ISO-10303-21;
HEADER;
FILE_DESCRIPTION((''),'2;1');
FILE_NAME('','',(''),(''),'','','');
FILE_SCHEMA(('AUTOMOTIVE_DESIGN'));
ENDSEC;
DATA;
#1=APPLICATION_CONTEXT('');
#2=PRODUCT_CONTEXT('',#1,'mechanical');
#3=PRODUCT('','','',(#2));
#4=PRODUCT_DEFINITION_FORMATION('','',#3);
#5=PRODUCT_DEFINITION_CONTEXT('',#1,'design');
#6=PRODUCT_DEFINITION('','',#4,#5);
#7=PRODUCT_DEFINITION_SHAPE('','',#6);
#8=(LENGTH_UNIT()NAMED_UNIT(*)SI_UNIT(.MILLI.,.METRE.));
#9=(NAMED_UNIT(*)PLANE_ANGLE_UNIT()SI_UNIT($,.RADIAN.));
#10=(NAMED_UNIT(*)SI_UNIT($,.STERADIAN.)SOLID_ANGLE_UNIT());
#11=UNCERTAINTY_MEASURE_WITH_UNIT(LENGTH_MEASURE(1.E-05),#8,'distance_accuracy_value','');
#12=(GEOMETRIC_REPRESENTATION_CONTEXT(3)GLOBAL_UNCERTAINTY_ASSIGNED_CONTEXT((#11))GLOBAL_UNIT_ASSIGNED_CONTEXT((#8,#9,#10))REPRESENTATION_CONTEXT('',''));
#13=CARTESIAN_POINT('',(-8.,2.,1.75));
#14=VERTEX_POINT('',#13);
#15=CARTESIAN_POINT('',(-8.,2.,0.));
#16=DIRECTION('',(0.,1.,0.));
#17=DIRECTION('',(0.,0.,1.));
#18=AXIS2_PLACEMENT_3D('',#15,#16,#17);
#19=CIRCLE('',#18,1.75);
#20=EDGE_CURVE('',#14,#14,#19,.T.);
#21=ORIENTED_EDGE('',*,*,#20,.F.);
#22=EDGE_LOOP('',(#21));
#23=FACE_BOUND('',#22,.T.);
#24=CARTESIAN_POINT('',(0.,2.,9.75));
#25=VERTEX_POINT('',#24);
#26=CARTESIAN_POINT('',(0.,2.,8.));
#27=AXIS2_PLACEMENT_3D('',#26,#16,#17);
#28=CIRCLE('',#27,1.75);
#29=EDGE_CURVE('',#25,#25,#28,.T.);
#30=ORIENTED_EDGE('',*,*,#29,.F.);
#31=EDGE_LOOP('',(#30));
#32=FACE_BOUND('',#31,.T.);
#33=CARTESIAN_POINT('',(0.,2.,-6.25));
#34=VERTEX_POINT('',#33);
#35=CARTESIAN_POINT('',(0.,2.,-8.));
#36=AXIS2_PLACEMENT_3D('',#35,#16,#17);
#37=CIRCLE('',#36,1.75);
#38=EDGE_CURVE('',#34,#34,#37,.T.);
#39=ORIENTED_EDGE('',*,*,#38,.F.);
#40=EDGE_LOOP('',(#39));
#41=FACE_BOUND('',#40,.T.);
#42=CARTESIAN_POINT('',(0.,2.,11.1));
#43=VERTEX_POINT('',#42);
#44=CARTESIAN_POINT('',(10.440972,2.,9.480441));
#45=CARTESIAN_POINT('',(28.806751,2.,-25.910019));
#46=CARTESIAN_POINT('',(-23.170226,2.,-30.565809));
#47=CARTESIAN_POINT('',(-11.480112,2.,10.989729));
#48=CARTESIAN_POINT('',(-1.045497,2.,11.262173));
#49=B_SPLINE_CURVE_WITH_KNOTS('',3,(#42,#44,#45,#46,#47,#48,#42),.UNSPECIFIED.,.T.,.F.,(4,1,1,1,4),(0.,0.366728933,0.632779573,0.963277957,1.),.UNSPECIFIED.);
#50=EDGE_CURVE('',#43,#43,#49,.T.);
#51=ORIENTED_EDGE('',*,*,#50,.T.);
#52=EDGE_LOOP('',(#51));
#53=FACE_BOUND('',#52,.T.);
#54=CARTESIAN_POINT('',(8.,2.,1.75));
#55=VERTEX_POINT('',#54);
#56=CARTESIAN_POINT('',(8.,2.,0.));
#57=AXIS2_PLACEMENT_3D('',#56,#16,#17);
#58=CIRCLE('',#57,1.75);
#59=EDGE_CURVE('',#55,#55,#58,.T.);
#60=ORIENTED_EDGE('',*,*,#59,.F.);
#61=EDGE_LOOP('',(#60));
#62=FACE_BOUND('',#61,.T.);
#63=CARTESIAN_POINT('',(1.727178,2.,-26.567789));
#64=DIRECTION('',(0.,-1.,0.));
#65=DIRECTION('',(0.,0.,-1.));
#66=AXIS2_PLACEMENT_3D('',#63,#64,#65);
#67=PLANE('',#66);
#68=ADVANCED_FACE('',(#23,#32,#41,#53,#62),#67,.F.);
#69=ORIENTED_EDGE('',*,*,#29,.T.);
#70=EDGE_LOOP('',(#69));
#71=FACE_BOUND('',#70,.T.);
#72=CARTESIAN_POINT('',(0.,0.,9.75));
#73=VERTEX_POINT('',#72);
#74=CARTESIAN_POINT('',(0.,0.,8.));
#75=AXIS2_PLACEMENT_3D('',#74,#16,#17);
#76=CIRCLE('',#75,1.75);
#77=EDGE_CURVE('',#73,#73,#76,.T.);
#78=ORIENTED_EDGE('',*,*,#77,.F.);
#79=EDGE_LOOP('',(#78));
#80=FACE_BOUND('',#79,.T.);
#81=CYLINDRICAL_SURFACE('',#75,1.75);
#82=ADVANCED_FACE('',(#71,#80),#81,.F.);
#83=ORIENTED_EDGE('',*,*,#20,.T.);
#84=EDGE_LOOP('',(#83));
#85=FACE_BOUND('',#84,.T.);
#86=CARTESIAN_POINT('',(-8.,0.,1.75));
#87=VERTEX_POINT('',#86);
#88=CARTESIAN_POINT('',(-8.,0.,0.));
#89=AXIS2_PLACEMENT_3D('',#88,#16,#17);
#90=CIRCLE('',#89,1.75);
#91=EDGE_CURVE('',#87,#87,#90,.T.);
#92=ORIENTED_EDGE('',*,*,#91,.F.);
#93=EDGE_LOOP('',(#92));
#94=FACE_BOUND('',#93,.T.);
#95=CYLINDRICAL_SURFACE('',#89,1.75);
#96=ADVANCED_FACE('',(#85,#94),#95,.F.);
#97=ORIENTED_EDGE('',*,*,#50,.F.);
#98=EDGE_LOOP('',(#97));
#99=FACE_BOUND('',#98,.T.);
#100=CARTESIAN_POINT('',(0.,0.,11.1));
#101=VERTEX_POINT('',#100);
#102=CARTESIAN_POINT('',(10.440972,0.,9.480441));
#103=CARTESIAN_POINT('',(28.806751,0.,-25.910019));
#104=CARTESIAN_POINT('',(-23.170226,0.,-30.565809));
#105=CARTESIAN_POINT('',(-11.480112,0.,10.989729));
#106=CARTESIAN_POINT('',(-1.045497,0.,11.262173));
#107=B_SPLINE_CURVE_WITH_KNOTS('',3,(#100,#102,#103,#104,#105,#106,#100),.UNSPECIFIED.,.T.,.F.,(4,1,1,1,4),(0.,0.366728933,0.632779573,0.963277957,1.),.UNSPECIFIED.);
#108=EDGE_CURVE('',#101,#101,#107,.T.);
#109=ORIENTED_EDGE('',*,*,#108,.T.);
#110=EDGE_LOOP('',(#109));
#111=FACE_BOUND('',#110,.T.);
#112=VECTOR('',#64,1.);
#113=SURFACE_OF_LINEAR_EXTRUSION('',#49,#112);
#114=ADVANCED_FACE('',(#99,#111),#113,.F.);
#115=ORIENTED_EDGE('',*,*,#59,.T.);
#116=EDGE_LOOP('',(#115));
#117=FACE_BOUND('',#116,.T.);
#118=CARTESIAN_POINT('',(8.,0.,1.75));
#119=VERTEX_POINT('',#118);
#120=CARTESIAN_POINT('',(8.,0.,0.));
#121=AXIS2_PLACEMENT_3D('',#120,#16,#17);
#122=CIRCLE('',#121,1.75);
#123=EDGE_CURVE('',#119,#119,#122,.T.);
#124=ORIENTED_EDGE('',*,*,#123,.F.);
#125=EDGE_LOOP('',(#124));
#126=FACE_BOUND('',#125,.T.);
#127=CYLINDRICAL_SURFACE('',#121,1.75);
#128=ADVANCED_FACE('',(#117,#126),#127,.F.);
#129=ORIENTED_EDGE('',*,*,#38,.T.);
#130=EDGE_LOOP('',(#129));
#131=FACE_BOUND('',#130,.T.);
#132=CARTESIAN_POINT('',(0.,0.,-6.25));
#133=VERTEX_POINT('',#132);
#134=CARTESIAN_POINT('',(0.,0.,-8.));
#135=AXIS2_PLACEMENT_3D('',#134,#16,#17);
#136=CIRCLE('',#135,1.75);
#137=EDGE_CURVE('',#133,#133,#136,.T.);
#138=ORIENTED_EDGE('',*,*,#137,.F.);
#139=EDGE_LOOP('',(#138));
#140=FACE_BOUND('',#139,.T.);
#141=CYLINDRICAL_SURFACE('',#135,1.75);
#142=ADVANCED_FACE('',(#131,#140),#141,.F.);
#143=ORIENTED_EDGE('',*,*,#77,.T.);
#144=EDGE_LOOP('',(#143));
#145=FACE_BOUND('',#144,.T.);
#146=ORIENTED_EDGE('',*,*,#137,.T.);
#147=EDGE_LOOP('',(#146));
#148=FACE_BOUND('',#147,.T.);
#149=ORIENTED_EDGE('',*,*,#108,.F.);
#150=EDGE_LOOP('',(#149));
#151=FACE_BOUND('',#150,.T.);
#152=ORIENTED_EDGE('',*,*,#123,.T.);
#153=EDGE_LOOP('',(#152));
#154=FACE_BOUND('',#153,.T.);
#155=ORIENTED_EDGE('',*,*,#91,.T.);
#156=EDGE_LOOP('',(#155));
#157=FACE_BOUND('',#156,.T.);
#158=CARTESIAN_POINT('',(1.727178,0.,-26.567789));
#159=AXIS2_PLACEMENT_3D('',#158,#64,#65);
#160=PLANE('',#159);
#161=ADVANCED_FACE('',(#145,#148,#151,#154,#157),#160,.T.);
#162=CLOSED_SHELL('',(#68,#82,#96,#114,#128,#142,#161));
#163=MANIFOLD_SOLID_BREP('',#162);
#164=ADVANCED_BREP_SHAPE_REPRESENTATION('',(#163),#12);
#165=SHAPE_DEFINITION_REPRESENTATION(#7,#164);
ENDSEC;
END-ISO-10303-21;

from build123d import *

# Parameters (mm, degrees)
EXTRUDE1_DEPTH     = 2
SKETCH2_R          = 1.75
CUT_EXTRUDE1_DEPTH = 32.286571323


with BuildPart() as part:
    # Sketch1 → Extrude1 (new body)
    with BuildSketch(Plane(origin=(0, 0, 0), x_dir=(1, 0, 0), z_dir=(0, 1, 0))):
        with BuildLine():
            add(Edge.make_bspline(
                [(0, -11.1), (10.440972459, -9.480441053), (28.806750546, 25.910018574), (-23.170226362, 30.565808695), (-11.4801118, -10.989728695), (-1.045496555, -11.26217295), (0, -11.1)],
                knots=[0, 0, 0, 0, 0.366728933, 0.632779573, 0.963277957, 1, 1, 1, 1], degree=3))
        make_face()
    extrude(amount=EXTRUDE1_DEPTH)

    # Sketch2 → Cut-Extrude1 (cut, through all)
    with BuildSketch(Plane(origin=(0, 2, 0), x_dir=(1, 0, 0), z_dir=(0, 1, 0))):
        with Locations(Location((0, 8, 0), (0, 0, 270))):
            Circle(SKETCH2_R)
        with Locations(Location((8, 0, 0), (0, 0, 270))):
            Circle(SKETCH2_R)
        with Locations(Location((0, -8, 0), (0, 0, 270))):
            Circle(SKETCH2_R)
        with Locations(Location((-8, 0, 0), (0, 0, 270))):
            Circle(SKETCH2_R)
    extrude(amount=-CUT_EXTRUDE1_DEPTH, mode=Mode.SUBTRACT)


solid = part.part
